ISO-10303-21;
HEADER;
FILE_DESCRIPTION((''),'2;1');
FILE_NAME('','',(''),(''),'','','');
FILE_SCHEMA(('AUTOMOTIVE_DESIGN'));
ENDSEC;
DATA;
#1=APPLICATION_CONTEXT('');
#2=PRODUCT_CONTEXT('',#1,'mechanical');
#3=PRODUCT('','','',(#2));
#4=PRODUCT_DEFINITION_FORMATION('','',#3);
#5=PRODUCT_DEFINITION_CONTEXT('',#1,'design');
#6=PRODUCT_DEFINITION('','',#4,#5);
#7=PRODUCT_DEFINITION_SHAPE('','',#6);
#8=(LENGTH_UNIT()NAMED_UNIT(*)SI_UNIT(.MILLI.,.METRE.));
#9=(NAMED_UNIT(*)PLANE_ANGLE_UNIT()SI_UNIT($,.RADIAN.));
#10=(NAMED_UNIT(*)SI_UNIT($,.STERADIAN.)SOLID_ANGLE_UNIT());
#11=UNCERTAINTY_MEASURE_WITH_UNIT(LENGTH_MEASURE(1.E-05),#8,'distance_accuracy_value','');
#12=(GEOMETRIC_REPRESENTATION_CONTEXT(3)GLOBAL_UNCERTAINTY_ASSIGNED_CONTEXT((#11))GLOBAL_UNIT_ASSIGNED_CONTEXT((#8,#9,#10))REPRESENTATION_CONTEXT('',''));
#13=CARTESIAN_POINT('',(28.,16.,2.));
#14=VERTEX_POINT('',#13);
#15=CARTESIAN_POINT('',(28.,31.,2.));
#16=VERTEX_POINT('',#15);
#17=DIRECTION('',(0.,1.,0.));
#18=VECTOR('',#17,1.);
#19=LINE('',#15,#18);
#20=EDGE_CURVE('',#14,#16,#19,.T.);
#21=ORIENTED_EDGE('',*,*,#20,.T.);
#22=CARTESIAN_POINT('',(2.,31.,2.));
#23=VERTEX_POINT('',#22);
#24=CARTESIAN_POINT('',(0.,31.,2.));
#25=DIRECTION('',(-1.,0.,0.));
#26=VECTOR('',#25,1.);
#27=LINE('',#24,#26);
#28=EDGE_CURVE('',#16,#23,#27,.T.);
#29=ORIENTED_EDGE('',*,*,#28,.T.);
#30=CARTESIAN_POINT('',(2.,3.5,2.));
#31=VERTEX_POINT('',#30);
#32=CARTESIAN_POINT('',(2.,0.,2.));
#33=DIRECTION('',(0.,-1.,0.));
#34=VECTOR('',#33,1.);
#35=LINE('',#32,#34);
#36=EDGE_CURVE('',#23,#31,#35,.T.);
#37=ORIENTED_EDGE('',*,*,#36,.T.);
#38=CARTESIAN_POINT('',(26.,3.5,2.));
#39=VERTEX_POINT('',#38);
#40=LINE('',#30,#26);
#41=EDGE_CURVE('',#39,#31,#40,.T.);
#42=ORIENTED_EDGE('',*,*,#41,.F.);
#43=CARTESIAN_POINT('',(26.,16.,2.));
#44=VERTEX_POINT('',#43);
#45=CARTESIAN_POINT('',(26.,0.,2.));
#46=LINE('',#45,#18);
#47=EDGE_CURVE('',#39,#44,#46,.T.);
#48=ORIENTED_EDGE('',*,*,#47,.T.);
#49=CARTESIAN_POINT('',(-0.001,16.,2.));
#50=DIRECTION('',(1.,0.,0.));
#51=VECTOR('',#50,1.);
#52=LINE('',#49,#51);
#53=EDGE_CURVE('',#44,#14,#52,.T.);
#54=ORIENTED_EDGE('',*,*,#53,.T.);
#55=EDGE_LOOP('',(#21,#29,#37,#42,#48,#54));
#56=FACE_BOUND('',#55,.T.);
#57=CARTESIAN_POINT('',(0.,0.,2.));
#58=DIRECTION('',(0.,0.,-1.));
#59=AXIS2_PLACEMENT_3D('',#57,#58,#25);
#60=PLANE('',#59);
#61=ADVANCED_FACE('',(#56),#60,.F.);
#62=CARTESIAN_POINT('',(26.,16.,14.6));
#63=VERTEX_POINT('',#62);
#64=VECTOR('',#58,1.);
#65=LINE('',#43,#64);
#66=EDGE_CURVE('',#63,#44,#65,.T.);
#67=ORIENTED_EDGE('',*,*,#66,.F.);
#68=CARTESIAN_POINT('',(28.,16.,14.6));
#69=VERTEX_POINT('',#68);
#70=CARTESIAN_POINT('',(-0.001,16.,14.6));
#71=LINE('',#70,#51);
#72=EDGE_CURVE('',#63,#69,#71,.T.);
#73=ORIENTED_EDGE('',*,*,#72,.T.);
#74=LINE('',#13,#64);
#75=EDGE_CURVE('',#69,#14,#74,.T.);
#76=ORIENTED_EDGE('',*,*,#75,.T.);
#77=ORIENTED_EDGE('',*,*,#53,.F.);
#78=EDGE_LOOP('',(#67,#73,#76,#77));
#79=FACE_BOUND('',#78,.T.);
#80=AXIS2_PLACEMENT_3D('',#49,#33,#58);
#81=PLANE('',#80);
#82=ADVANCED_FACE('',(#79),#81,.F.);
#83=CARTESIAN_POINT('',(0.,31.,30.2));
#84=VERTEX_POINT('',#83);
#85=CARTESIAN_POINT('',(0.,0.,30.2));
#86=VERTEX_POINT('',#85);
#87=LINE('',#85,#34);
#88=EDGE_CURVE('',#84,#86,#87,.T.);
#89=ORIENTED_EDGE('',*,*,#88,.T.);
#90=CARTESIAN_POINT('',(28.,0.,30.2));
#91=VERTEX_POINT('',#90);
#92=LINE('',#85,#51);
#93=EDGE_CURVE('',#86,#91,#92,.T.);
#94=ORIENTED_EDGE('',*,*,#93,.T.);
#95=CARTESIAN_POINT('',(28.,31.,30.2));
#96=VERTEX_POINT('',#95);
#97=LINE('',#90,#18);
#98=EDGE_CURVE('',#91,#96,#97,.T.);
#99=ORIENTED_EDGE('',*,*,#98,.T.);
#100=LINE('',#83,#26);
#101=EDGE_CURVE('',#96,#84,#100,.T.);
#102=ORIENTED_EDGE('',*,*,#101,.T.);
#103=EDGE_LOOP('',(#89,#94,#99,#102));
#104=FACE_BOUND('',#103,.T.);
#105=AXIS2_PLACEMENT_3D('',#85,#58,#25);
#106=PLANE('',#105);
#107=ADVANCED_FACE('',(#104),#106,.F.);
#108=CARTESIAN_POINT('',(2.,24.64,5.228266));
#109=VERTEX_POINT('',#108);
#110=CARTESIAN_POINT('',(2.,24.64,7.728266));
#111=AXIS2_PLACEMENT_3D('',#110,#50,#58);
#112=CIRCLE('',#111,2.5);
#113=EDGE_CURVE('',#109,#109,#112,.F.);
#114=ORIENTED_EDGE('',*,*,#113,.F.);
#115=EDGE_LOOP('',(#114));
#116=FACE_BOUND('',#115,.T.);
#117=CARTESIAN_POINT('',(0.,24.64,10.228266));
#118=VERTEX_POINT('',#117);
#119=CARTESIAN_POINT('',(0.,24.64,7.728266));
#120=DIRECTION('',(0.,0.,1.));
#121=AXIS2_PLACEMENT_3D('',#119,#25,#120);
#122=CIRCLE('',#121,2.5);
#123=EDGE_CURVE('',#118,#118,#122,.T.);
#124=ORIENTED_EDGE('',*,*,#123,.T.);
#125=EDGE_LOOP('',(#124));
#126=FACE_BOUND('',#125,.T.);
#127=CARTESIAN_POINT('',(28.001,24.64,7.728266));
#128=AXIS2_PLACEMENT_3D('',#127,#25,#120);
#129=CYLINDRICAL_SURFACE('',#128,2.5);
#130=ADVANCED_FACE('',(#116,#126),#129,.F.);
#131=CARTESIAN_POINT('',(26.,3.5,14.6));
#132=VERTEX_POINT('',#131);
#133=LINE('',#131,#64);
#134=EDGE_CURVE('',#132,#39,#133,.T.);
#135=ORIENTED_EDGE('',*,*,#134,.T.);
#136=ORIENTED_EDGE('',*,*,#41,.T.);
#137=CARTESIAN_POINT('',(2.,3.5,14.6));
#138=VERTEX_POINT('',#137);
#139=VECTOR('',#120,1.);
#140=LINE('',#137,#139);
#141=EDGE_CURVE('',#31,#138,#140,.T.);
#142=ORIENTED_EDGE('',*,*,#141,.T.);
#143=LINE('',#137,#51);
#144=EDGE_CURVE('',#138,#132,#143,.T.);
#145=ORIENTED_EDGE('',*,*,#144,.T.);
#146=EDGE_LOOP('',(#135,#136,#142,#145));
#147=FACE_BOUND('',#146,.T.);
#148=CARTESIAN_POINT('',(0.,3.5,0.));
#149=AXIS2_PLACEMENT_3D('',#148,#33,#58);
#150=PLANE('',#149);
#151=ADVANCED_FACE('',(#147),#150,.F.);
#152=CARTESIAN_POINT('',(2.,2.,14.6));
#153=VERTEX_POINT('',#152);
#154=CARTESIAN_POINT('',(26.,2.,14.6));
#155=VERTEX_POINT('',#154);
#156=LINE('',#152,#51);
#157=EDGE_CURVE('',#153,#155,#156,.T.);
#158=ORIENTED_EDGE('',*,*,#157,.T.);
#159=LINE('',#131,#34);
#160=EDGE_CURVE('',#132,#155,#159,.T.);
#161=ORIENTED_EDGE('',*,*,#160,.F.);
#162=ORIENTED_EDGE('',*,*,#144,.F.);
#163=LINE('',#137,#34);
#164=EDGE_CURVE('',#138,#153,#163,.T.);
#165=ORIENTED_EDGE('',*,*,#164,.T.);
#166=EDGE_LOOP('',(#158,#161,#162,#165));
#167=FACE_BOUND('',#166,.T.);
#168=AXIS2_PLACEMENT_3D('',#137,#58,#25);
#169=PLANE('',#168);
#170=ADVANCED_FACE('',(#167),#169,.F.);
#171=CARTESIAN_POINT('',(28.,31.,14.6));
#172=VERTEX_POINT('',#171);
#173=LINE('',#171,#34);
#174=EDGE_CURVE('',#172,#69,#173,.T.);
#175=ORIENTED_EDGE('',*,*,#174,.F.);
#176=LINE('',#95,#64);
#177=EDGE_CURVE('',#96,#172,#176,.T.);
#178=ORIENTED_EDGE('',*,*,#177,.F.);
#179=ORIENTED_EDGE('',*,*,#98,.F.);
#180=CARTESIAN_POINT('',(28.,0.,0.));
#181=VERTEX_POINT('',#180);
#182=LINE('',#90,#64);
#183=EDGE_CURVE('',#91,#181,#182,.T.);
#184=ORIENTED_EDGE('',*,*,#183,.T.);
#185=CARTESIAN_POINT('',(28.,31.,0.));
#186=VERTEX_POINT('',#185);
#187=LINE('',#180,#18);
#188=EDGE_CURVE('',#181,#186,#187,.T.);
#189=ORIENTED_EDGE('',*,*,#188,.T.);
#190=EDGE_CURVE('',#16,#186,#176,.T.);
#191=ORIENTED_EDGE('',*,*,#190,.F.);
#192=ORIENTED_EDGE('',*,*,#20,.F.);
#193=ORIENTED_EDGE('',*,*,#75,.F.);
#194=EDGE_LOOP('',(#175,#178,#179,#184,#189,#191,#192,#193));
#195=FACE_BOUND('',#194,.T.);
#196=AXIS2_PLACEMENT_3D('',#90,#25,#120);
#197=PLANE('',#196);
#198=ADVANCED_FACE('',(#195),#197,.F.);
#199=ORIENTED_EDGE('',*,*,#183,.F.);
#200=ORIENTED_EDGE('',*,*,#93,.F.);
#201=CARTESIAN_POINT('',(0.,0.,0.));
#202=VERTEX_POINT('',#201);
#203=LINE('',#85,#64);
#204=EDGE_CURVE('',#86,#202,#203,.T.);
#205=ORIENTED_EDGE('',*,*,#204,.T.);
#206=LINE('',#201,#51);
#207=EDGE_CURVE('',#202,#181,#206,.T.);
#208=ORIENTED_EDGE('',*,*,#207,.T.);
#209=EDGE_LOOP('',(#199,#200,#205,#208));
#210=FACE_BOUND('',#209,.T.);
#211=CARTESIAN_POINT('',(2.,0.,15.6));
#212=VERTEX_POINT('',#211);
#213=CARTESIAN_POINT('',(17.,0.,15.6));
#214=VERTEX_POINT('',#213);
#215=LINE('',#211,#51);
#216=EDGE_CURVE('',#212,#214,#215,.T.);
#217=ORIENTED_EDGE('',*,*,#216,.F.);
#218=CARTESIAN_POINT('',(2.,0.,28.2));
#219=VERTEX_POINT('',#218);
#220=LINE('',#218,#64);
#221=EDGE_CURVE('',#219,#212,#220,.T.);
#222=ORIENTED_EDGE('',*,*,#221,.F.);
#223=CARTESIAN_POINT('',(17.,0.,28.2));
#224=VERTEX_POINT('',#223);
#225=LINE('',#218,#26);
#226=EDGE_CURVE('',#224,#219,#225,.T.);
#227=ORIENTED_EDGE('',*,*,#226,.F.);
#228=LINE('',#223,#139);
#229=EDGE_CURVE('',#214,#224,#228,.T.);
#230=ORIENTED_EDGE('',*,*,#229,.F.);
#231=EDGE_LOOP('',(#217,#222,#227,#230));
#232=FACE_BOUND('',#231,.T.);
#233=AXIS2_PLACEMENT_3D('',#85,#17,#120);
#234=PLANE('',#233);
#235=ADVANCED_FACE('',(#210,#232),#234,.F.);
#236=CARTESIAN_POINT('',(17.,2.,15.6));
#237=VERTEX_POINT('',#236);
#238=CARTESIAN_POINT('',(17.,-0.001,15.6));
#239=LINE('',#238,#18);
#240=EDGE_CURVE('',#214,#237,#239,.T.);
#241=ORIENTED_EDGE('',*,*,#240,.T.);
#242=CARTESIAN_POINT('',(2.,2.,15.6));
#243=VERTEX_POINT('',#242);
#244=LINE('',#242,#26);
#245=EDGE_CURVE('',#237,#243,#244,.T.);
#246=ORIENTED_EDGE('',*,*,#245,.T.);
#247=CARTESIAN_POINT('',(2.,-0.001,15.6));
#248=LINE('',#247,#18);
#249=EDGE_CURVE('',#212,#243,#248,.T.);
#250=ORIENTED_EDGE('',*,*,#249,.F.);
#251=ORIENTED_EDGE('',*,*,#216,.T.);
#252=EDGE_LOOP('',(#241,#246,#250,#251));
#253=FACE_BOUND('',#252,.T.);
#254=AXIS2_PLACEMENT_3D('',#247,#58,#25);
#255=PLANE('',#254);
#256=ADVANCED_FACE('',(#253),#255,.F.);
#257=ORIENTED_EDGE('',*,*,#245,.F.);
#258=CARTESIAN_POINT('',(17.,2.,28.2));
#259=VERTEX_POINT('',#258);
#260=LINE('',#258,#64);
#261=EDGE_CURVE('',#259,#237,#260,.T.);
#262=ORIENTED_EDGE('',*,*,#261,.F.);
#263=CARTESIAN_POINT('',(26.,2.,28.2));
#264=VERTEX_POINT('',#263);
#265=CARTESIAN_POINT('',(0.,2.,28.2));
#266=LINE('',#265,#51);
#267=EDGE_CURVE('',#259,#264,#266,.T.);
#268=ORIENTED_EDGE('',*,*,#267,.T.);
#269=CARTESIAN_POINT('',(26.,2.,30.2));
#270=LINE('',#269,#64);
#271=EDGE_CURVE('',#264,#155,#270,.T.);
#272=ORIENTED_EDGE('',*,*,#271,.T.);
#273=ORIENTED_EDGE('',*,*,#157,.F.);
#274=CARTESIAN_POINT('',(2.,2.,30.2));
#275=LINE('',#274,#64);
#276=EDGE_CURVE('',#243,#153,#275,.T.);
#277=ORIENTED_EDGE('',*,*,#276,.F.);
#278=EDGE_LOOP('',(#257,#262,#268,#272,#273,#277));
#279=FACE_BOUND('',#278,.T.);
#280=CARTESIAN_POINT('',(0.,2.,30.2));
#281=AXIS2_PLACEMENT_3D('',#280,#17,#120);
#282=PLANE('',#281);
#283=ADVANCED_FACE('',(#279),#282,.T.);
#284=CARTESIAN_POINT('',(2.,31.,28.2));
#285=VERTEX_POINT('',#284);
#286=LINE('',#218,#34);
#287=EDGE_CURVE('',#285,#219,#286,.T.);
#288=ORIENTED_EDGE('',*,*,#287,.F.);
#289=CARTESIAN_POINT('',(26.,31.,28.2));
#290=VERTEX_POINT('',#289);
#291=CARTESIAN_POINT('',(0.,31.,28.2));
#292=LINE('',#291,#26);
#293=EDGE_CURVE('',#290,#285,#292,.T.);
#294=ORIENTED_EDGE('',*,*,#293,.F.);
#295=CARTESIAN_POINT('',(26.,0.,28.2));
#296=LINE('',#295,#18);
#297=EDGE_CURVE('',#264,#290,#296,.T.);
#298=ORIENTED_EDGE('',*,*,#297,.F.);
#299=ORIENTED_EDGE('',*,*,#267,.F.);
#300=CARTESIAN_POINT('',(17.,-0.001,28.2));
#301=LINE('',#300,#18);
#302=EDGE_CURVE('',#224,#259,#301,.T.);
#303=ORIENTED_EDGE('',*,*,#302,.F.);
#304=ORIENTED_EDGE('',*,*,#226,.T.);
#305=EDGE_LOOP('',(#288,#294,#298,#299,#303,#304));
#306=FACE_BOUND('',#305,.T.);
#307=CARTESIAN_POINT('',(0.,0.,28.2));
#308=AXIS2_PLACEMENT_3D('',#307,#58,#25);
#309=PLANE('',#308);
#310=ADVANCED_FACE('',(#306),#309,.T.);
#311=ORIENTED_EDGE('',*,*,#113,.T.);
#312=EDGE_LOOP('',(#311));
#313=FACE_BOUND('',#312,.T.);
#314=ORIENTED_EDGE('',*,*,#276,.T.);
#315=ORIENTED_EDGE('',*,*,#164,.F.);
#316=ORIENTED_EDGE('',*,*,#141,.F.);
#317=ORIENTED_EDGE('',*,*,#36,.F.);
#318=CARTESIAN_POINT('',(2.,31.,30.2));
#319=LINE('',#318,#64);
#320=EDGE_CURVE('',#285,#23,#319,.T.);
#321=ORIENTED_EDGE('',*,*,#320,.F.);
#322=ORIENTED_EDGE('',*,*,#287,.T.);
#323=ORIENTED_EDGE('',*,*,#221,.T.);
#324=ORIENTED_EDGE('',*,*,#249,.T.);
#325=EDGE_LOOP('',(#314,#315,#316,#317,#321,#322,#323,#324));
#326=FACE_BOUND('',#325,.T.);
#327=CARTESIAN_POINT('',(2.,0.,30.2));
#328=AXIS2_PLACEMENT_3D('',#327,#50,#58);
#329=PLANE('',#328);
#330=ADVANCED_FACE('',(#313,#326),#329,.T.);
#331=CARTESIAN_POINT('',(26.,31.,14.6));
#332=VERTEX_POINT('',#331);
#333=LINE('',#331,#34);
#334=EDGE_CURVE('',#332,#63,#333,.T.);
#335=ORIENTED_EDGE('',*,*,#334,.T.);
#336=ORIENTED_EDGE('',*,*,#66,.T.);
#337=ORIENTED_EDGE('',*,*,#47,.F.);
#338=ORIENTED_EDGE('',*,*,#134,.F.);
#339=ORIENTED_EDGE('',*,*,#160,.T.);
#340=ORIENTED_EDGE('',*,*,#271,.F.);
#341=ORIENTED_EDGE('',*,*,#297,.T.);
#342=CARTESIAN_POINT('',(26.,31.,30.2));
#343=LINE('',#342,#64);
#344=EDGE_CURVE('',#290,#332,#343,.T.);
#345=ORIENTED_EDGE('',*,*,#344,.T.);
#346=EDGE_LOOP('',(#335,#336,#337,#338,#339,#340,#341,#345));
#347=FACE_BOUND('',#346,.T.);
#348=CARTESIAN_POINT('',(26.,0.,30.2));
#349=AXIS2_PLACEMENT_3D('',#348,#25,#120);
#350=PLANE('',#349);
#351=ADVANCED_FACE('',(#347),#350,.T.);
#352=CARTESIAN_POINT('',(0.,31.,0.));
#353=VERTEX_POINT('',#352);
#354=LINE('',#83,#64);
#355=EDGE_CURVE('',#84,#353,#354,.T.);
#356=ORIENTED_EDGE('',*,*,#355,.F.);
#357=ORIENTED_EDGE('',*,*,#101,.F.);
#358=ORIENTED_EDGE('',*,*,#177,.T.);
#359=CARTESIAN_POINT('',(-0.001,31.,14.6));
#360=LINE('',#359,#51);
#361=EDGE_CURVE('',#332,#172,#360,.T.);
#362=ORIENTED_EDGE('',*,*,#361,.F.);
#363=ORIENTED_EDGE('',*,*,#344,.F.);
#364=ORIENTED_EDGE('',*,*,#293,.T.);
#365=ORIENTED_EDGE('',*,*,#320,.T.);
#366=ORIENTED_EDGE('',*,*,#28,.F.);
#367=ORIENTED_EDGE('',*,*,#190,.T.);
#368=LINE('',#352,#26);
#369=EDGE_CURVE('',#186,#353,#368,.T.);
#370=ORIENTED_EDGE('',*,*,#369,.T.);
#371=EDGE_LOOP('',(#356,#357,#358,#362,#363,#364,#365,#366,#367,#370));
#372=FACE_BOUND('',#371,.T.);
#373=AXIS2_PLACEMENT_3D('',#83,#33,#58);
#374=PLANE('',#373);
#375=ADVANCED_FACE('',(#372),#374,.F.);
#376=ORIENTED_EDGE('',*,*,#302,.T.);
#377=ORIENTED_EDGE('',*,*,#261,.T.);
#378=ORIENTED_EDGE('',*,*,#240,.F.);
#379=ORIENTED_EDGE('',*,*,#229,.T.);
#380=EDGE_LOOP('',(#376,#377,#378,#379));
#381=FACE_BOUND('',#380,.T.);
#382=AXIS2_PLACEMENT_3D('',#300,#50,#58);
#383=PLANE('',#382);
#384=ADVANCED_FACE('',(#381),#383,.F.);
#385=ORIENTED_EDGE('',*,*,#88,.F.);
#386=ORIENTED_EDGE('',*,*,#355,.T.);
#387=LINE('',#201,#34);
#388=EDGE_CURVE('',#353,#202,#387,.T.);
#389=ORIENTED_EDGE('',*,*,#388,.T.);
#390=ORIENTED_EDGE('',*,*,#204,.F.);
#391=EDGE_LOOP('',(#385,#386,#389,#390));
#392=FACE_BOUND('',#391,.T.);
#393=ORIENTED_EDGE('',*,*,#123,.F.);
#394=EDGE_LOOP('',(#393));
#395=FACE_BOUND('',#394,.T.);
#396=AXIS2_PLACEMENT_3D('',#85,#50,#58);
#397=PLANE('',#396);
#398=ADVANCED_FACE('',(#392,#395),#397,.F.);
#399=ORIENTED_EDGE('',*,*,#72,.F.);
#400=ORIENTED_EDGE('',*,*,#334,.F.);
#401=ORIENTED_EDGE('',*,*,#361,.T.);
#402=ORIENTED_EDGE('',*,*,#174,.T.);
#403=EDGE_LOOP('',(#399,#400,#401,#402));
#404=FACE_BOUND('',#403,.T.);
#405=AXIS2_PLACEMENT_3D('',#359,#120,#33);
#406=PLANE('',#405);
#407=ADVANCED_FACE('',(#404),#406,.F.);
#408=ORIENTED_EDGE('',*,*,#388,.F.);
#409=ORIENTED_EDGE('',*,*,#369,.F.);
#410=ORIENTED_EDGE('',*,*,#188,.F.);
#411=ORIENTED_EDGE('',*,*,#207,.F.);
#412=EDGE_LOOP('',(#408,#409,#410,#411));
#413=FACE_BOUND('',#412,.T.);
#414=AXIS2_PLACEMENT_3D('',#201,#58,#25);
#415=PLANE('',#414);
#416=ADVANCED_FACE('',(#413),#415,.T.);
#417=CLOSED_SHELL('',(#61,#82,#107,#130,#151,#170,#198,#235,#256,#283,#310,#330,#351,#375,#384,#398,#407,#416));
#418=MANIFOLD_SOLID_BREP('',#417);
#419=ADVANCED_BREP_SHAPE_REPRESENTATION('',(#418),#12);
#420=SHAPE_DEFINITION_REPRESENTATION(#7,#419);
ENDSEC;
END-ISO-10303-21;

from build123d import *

# Parameters (mm, degrees)
ESQUISSE1_W             = 28
ESQUISSE1_H             = 31
BOSS_EXTRU_1_DEPTH      = 30.2
COQUE1_T                = -2
ENL_V_MAT_EXTRU_1_REACH = 30
ESQUISSE2_W             = 12.6
ESQUISSE2_H             = 15
ENL_V_MAT_EXTRU_2_REACH = 4
ESQUISSE3_W             = 15
ESQUISSE3_H             = 12.6
ESQUISSE4_W             = 24
ESQUISSE4_H             = 12.6
BOSS_EXTRU_2_DEPTH      = 1.5
ENL_V_MAT_EXTRU_4_REACH = 30
ESQUISSE10_R            = 2.5


with BuildPart() as part:
    # Esquisse1 → Boss.-Extru.1 (new body)
    with BuildSketch(Plane.XY):
        with Locations((14, 15.5)):
            Rectangle(ESQUISSE1_W, ESQUISSE1_H)
    extrude(amount=BOSS_EXTRU_1_DEPTH)

    # Coque1
    coque1_openings = [part.faces().sort_by_distance(p)[0] for p in [
        (14, 31, 15.1),
    ]]
    offset(amount=COQUE1_T, openings=coque1_openings, kind=Kind.INTERSECTION)

    # Esquisse2 → Enlèv. mat.-Extru.1 (cut, up to next)
    with BuildSketch(Plane(origin=(28, 0, 0), x_dir=(0, 0, -1), z_dir=(1, 0, 0)), mode=Mode.PRIVATE) as enl_v_mat_extru_1_sk1:
        with Locations((-8.3, 23.5)):
            Rectangle(ESQUISSE2_W, ESQUISSE2_H)
    enl_v_mat_extru_1_tool1 = extrude(enl_v_mat_extru_1_sk1.sketch, amount=-ENL_V_MAT_EXTRU_1_REACH, mode=Mode.PRIVATE) & part.part
    add(enl_v_mat_extru_1_tool1.solids().sort_by_distance((28, 23.5, 8.3))[0], mode=Mode.SUBTRACT)

    # Esquisse3 → Enlèv. mat.-Extru.2 (cut, up to next)
    with BuildSketch(Plane(origin=(0, 2, 0), x_dir=(1, 0, 0), z_dir=(0, 1, 0)), mode=Mode.PRIVATE) as enl_v_mat_extru_2_sk1:
        with Locations((9.5, -21.9)):
            Rectangle(ESQUISSE3_W, ESQUISSE3_H)
    enl_v_mat_extru_2_tool1 = extrude(enl_v_mat_extru_2_sk1.sketch, amount=-ENL_V_MAT_EXTRU_2_REACH, mode=Mode.PRIVATE) & part.part
    add(enl_v_mat_extru_2_tool1.solids().sort_by_distance((9.5, 2, 21.9))[0], mode=Mode.SUBTRACT)

    # Esquisse4 → Boss.-Extru.2 (add)
    with BuildSketch(Plane(origin=(0, 2, 0), x_dir=(1, 0, 0), z_dir=(0, 1, 0))):
        with Locations((14, -8.3)):
            Rectangle(ESQUISSE4_W, ESQUISSE4_H)
    extrude(amount=BOSS_EXTRU_2_DEPTH)

    # Esquisse10 → Enlèv. mat.-Extru.4 (cut, up to next)
    with BuildSketch(Plane.ZY, mode=Mode.PRIVATE) as enl_v_mat_extru_4_sk1:
        with Locations((7.728265811, 24.64)):
            Circle(ESQUISSE10_R)
    enl_v_mat_extru_4_tool1 = extrude(enl_v_mat_extru_4_sk1.sketch, amount=-ENL_V_MAT_EXTRU_4_REACH, mode=Mode.PRIVATE) & part.part
    add(enl_v_mat_extru_4_tool1.solids().sort_by_distance((0, 24.64, 7.728266))[0], mode=Mode.SUBTRACT)


solid = part.part
